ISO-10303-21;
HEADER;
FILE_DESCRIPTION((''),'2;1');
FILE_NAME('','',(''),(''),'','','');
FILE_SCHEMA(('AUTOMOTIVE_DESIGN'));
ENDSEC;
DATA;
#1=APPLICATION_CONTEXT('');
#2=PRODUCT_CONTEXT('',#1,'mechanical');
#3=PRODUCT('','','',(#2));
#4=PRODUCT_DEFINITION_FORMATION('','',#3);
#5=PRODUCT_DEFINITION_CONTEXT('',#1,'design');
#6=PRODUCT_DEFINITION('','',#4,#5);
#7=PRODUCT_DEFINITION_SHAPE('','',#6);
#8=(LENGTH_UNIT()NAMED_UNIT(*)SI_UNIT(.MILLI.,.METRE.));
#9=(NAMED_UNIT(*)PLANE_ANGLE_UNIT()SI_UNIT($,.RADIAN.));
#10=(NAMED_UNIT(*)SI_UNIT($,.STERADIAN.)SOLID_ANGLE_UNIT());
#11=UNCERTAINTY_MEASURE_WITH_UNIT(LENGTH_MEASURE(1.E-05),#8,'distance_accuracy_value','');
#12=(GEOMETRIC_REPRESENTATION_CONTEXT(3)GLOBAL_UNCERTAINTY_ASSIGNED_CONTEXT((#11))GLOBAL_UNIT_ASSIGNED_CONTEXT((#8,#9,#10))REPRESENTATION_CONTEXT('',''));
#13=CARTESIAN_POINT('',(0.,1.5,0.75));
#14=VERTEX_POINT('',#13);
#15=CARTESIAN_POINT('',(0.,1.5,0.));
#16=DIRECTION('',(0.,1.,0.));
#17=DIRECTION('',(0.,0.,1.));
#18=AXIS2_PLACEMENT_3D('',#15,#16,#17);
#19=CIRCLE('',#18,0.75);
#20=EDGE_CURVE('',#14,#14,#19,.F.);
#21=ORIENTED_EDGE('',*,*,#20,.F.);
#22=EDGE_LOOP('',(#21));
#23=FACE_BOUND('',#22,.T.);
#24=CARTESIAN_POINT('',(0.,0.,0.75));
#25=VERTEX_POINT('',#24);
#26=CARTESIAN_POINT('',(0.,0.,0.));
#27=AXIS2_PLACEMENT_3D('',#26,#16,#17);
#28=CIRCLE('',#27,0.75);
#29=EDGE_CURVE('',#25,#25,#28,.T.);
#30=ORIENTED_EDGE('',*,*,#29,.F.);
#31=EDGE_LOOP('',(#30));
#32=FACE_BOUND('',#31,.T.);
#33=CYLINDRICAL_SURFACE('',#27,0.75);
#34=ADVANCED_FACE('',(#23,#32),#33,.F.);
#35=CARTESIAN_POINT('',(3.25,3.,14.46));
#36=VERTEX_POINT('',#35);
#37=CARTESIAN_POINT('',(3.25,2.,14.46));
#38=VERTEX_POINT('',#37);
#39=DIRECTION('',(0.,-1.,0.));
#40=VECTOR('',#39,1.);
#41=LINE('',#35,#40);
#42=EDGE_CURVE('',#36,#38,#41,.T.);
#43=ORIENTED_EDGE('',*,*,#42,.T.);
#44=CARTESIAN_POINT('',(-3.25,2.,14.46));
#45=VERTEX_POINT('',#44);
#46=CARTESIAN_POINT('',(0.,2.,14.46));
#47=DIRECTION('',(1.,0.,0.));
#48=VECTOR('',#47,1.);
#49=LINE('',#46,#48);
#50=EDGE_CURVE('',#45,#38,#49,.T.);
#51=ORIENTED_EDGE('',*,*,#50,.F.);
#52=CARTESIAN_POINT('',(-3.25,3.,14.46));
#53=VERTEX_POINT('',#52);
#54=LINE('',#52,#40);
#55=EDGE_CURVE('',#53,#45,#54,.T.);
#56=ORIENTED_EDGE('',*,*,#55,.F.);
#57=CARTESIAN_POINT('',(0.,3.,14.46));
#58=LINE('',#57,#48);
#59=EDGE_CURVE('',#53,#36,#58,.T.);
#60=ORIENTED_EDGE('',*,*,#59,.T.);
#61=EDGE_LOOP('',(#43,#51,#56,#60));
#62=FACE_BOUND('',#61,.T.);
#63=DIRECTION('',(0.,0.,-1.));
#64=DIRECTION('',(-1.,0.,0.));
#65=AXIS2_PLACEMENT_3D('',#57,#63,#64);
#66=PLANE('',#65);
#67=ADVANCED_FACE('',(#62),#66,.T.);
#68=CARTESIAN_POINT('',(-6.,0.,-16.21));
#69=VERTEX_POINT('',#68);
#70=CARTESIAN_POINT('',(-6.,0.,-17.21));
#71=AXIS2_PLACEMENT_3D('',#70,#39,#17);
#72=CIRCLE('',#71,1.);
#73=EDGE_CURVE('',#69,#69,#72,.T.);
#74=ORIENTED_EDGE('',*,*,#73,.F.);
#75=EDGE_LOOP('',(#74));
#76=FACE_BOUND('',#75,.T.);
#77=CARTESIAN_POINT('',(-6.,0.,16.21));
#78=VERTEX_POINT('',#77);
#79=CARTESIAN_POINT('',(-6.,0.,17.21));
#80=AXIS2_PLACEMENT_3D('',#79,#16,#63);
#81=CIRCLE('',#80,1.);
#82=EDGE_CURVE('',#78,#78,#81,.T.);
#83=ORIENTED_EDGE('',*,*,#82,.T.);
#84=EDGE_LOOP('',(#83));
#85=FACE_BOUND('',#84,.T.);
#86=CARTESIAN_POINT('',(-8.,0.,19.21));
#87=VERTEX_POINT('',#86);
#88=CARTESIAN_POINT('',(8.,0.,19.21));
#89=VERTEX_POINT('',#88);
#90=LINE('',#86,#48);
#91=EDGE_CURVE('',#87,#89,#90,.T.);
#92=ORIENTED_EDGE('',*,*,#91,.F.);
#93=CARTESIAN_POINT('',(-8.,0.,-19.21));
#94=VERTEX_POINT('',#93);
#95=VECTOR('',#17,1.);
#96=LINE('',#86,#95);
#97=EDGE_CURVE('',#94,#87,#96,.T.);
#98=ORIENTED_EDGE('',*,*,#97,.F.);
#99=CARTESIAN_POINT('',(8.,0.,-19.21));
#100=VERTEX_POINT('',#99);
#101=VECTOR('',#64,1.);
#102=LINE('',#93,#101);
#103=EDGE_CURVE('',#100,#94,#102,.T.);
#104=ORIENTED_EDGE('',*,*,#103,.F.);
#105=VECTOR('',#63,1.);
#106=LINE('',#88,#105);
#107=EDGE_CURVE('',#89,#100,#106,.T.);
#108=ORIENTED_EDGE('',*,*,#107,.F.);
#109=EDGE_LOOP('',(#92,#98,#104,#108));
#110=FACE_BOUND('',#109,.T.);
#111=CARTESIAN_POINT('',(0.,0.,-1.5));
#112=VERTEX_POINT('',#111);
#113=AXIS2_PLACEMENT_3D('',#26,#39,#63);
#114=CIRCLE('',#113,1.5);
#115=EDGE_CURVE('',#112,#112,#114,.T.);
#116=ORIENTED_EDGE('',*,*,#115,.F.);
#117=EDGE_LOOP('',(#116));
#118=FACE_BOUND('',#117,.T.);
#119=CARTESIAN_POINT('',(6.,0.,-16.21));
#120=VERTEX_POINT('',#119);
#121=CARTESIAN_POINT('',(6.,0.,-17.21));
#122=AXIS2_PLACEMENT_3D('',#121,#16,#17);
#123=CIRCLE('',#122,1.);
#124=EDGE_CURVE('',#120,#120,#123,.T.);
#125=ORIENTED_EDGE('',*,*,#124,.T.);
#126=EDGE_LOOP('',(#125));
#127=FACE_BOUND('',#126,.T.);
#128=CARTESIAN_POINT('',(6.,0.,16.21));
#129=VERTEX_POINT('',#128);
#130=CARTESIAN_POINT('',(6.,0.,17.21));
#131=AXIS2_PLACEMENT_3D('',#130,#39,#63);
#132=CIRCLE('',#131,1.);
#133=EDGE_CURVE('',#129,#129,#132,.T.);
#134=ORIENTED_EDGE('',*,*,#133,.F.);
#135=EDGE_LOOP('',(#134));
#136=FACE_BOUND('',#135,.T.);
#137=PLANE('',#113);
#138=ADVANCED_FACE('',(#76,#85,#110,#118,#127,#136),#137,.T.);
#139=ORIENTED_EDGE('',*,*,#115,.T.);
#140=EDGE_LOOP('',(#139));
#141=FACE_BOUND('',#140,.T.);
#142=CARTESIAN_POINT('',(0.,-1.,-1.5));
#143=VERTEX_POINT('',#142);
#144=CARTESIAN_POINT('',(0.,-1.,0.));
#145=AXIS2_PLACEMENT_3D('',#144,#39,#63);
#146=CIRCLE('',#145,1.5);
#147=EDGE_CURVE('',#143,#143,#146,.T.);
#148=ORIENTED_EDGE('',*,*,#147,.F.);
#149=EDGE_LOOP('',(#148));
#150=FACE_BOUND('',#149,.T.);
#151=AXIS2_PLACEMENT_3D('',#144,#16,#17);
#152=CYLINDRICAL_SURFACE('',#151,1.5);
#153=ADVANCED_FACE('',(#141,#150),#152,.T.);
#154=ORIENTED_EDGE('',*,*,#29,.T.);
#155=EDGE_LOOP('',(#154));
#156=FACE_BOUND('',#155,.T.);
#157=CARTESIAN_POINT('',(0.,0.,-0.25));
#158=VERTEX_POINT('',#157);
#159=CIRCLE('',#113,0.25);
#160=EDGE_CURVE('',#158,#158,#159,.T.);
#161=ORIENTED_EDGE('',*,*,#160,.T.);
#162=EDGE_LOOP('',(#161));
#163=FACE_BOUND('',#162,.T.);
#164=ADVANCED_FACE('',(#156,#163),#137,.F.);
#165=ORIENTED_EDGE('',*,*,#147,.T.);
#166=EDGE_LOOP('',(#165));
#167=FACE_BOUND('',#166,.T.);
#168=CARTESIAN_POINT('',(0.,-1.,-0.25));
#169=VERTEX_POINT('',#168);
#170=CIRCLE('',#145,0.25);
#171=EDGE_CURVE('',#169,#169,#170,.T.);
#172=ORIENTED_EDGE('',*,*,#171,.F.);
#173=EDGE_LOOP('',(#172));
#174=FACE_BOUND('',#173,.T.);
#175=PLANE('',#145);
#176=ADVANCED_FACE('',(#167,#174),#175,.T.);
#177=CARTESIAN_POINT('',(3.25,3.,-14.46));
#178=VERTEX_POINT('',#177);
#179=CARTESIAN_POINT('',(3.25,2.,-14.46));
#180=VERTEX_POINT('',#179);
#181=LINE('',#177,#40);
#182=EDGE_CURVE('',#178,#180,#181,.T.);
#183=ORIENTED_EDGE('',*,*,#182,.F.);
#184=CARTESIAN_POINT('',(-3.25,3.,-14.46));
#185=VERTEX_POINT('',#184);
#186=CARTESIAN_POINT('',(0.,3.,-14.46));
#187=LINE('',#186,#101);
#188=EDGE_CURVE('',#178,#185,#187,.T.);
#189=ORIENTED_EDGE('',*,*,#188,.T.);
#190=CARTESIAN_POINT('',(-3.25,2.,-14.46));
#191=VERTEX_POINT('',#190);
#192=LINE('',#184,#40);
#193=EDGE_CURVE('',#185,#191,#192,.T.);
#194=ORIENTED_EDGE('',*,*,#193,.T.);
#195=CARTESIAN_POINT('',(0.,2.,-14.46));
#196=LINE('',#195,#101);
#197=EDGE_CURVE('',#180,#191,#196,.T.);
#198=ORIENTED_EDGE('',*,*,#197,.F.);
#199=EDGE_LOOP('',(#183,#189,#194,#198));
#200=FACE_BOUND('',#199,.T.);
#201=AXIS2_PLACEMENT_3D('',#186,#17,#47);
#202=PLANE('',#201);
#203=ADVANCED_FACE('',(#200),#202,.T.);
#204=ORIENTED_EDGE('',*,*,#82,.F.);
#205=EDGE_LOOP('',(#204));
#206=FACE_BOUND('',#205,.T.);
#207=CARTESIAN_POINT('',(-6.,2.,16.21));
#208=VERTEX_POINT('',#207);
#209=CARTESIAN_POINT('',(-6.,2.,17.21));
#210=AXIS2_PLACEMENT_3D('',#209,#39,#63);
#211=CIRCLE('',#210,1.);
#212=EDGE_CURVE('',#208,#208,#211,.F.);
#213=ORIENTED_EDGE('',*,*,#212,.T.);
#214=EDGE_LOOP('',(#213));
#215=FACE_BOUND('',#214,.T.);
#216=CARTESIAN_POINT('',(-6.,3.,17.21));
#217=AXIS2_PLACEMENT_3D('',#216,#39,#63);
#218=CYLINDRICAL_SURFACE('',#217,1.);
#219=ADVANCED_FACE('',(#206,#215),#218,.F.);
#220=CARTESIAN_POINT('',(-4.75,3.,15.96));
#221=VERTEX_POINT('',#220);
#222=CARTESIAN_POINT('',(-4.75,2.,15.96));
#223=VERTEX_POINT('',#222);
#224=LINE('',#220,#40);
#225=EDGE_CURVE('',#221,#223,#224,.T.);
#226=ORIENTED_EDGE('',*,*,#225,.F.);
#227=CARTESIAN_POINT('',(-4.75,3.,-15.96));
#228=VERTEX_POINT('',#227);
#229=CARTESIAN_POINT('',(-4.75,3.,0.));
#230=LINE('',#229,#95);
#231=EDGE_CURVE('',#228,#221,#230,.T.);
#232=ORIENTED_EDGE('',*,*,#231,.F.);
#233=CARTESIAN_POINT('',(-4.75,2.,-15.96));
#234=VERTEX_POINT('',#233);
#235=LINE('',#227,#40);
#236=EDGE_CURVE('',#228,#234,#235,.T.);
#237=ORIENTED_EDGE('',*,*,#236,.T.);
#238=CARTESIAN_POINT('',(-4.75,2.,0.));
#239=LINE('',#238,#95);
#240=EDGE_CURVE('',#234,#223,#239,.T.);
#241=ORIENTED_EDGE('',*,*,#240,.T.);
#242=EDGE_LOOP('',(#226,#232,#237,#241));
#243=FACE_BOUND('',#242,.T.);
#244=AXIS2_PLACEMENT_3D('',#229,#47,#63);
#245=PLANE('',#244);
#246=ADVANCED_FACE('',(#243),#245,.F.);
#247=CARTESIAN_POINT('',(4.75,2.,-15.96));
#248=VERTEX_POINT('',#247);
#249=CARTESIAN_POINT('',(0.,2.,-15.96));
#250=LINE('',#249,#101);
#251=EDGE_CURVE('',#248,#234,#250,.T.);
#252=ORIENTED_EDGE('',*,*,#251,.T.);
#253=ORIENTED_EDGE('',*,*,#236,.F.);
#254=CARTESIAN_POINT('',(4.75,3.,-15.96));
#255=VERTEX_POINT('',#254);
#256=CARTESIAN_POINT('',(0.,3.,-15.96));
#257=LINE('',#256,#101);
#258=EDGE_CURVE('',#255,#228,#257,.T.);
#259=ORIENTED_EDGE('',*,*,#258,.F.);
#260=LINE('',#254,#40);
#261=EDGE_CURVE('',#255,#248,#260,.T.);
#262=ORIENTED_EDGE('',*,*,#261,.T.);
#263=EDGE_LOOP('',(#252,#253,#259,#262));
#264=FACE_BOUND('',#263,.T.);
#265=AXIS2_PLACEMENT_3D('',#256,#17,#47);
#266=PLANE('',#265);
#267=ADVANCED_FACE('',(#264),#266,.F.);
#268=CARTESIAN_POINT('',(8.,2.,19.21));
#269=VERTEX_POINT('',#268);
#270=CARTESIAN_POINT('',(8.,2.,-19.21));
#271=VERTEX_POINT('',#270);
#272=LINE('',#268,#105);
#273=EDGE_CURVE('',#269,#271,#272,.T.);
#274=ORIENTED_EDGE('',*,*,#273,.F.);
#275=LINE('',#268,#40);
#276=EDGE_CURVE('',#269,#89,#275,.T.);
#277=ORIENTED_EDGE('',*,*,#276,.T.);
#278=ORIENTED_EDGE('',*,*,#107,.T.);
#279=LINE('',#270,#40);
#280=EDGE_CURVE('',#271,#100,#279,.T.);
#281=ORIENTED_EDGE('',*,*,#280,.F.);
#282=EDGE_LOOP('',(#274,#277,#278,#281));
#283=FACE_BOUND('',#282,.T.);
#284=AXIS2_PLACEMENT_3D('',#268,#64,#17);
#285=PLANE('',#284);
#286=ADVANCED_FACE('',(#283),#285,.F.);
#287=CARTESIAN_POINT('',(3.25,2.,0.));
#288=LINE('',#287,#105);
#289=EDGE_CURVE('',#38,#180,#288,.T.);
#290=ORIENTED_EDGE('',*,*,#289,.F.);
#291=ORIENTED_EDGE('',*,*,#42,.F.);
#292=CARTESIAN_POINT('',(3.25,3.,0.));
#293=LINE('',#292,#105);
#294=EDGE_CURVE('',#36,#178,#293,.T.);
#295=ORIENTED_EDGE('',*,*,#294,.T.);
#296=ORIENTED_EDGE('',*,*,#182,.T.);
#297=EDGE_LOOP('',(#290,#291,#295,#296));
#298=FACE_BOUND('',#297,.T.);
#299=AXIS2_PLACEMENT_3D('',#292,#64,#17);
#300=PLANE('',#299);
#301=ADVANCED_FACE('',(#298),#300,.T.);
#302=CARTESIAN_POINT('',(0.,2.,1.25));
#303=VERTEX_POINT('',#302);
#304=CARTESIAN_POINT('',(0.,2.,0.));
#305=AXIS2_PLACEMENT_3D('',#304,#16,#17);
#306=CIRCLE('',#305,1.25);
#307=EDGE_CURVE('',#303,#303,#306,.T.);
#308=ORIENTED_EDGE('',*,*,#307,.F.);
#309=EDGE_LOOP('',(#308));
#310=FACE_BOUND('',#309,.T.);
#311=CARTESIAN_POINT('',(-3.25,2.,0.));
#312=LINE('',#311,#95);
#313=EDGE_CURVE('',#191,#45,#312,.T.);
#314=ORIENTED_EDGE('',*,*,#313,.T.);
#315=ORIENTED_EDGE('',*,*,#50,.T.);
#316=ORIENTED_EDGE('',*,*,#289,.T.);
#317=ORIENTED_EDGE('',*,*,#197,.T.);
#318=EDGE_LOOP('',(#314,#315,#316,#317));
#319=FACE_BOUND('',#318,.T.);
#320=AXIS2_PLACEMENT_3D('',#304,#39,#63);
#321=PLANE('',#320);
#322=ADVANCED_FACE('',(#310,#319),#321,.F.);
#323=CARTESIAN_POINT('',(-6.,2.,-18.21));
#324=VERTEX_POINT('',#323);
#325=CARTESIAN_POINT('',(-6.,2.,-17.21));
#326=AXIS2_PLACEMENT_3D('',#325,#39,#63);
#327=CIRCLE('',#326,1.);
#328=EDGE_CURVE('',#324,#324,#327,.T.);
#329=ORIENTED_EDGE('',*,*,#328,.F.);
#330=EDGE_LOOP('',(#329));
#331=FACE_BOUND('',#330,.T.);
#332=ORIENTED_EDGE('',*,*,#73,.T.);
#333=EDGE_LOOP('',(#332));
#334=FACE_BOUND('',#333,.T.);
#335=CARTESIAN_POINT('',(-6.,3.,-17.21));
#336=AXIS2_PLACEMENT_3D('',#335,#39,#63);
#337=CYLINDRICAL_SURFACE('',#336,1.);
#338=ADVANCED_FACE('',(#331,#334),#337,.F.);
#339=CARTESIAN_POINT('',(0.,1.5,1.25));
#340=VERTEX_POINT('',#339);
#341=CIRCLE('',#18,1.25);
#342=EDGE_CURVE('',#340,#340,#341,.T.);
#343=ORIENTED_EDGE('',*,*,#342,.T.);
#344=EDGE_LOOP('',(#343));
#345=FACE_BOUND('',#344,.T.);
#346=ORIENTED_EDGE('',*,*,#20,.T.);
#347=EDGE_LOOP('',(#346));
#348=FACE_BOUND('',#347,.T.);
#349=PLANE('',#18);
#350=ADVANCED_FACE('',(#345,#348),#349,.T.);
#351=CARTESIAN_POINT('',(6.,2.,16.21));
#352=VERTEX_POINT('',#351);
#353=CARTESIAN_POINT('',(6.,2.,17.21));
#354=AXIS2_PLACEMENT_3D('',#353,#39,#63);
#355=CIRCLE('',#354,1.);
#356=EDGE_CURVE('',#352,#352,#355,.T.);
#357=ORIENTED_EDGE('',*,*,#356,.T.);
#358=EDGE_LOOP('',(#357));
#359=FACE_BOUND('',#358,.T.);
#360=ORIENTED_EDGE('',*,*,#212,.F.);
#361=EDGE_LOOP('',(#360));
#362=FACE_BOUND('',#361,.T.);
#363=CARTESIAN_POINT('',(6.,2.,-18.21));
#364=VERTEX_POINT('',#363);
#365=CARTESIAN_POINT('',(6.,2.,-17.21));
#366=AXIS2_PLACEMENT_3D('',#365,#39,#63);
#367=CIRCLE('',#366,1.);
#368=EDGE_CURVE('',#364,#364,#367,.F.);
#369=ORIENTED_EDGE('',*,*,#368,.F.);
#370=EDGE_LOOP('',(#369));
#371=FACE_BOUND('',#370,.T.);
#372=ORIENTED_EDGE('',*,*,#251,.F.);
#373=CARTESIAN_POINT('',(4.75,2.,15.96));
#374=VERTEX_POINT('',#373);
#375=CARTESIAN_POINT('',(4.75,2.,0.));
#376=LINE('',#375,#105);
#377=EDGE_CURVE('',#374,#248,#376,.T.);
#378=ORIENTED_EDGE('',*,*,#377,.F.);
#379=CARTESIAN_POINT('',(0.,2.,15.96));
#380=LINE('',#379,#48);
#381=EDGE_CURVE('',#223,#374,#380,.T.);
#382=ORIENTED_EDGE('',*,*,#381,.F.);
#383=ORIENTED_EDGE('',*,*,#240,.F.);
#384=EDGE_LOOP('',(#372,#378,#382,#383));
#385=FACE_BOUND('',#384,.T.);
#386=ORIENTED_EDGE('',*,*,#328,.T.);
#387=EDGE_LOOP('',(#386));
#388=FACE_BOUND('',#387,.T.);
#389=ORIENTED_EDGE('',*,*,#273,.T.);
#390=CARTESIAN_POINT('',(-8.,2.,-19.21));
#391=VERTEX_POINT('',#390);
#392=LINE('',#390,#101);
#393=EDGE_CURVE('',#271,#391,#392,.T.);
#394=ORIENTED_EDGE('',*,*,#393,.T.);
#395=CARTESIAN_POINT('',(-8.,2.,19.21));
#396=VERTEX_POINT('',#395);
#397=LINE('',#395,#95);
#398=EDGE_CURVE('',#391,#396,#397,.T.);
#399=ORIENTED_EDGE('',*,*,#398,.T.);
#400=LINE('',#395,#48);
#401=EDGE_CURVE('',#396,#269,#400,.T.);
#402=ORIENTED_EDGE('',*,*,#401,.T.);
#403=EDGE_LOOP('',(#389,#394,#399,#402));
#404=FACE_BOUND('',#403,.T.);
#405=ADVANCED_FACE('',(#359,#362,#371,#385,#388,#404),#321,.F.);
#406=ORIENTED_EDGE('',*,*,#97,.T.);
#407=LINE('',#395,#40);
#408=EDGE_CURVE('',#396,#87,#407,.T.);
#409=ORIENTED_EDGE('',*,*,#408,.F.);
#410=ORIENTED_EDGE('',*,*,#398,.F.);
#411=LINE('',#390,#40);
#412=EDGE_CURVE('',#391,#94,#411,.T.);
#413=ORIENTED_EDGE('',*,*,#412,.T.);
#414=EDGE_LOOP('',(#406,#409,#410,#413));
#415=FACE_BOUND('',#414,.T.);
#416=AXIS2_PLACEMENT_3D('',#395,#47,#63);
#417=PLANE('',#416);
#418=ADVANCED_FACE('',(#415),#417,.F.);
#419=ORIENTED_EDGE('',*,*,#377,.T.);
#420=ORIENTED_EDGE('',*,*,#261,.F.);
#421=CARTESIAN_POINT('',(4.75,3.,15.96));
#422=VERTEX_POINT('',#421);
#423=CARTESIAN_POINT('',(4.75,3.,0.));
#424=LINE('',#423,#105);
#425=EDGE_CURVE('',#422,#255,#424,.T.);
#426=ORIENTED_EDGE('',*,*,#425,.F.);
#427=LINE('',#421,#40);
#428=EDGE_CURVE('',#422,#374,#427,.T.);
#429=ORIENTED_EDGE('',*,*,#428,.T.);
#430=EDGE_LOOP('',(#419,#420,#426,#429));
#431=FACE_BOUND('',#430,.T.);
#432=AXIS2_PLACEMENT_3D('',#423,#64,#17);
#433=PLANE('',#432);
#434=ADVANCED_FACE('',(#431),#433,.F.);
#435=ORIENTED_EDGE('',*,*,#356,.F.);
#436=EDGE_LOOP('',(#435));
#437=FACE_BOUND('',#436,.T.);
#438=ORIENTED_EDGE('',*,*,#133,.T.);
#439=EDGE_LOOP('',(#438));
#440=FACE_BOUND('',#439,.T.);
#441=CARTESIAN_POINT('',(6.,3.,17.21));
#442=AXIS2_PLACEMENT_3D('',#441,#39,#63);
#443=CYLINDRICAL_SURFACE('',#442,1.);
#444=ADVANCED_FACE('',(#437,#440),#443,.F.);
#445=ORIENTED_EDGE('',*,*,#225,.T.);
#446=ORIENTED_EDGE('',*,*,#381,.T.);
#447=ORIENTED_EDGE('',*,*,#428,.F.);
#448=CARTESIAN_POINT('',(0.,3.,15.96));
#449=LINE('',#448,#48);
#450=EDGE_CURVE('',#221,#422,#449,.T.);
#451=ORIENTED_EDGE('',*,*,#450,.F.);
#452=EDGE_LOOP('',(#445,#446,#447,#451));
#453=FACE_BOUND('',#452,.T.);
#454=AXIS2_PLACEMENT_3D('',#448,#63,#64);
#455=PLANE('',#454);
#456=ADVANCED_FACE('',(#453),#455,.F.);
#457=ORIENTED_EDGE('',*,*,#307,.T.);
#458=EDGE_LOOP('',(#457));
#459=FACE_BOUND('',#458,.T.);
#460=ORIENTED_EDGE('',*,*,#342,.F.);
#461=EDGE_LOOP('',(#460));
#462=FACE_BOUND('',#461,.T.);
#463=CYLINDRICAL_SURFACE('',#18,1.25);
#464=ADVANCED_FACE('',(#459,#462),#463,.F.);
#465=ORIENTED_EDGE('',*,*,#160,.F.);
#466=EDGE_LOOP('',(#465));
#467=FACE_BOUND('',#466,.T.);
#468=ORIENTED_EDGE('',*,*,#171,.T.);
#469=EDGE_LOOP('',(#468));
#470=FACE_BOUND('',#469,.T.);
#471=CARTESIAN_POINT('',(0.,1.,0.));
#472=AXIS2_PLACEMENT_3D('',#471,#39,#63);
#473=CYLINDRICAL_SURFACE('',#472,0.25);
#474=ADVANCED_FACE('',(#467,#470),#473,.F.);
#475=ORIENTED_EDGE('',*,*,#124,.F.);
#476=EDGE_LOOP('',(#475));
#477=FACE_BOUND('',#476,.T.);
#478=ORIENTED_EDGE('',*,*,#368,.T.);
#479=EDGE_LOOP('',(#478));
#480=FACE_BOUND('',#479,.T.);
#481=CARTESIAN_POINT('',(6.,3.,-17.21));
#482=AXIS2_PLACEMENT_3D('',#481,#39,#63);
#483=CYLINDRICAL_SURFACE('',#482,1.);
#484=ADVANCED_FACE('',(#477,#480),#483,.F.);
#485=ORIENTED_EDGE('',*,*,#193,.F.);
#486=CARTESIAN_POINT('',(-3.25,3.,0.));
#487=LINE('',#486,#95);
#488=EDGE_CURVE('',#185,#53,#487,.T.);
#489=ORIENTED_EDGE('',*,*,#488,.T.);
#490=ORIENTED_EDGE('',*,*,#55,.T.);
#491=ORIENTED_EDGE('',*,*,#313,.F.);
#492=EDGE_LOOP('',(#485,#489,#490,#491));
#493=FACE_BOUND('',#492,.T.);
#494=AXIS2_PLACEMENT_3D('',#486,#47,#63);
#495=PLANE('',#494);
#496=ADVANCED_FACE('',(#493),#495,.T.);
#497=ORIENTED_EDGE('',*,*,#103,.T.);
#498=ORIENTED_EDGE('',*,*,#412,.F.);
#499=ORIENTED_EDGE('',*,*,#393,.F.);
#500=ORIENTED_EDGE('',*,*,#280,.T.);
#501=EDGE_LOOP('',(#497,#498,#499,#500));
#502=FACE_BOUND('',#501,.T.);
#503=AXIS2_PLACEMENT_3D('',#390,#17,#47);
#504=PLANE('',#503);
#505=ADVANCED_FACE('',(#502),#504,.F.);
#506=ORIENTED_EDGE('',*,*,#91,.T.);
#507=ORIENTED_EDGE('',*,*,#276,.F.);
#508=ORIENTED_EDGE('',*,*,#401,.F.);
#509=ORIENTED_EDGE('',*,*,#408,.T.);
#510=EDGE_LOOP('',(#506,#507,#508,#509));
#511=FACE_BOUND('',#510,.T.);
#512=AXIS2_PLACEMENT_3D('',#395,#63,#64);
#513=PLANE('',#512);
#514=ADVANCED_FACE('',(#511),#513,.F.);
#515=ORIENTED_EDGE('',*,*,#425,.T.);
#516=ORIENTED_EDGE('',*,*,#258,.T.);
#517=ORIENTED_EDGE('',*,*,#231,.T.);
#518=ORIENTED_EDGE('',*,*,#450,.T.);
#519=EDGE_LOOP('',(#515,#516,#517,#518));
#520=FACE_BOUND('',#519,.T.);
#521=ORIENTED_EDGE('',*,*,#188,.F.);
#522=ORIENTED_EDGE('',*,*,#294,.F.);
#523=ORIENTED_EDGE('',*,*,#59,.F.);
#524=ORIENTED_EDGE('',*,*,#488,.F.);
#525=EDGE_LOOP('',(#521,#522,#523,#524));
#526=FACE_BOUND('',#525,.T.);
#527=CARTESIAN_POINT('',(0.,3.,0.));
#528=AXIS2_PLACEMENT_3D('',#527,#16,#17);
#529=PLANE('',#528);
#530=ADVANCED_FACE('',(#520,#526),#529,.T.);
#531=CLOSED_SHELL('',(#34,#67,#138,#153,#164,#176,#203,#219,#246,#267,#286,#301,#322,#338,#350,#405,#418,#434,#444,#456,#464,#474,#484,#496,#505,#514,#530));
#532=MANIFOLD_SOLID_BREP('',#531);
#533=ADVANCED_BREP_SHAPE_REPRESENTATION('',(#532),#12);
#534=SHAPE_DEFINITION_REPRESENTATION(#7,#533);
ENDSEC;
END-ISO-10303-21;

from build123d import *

# Parameters (mm, degrees)
SKETCH1_W               = 16
SKETCH1_H               = 38.42
BOSS_EXTRUDE1_DEPTH     = 2
SKETCH2_W               = 9.5
SKETCH2_H               = 31.92
SKETCH2_W_2             = 6.5
SKETCH2_H_2             = 28.92
EXTRUDE_THIN1_DEPTH     = 1
SKETCH3_R               = 1
CUT_EXTRUDE1_DEPTH      = 4
MIRROR2_COPY_1_SKETCH_R = 1
MIRROR2_COPY_1_DEPTH    = 4
SKETCH5_R               = 0.75
CUT_EXTRUDE2_DEPTH      = 2
CUT_EXTRUDE2_DEPTH_BACK = 3
SKETCH6_R               = 1.25
CUT_EXTRUDE6_DEPTH      = 0.5
SKETCH7_R               = 1.5
BOSS_EXTRUDE2_DEPTH     = 1
SKETCH9_R               = 0.25
CUT_EXTRUDE7_DEPTH      = 2


with BuildPart() as part:
    # Sketch1 → Boss-Extrude1 (new body)
    with BuildSketch(Plane(origin=(0, 0, 0), x_dir=(1, 0, 0), z_dir=(0, 1, 0))):
        Rectangle(SKETCH1_W, SKETCH1_H)
    extrude(amount=BOSS_EXTRUDE1_DEPTH)

    # Sketch2 → Extrude-Thin1 (add)
    with BuildSketch(Plane(origin=(0, 2, 0), x_dir=(1, 0, 0), z_dir=(0, 1, 0))):
        Rectangle(SKETCH2_W, SKETCH2_H)
        Rectangle(SKETCH2_W_2, SKETCH2_H_2, mode=Mode.SUBTRACT)
    extrude(amount=EXTRUDE_THIN1_DEPTH)

    # Sketch3 → Cut-Extrude1 (cut, through all)
    with BuildSketch(Plane.XZ):
        with Locations((6, 17.21)):
            Circle(SKETCH3_R)
    cut_extrude1 = extrude(amount=-CUT_EXTRUDE1_DEPTH, mode=Mode.SUBTRACT)

    # Mirror1: Cut-Extrude1 across plane
    add(cut_extrude1.mirror(Plane(origin=(0, 0, 0), x_dir=(1, 0, 0), z_dir=(0, 0, -1))), mode=Mode.SUBTRACT)

    # Mirror2: Cut-Extrude1 across plane
    add(cut_extrude1.mirror(Plane.ZY), mode=Mode.SUBTRACT)

    # Mirror2 copy 1 sketch → Mirror2 copy 1 (cut, through all)
    with BuildSketch(Plane(origin=(0, 0, 0), x_dir=(-1, 0, 0), z_dir=(0, -1, 0))):
        with Locations((6, 17.21)):
            Circle(MIRROR2_COPY_1_SKETCH_R)
    extrude(amount=-MIRROR2_COPY_1_DEPTH, mode=Mode.SUBTRACT)

    # Sketch5 → Cut-Extrude2 (cut, two sides)
    with BuildSketch(Plane(origin=(0, 2, 0), x_dir=(1, 0, 0), z_dir=(0, 1, 0))) as cut_extrude2_sk:
        Circle(SKETCH5_R)
    extrude(amount=CUT_EXTRUDE2_DEPTH, mode=Mode.SUBTRACT)
    extrude(cut_extrude2_sk.sketch, amount=-CUT_EXTRUDE2_DEPTH_BACK, mode=Mode.SUBTRACT)

    # Sketch6 → Cut-Extrude6 (cut)
    with BuildSketch(Plane(origin=(0, 2, 0), x_dir=(1, 0, 0), z_dir=(0, 1, 0))):
        Circle(SKETCH6_R)
    extrude(amount=-CUT_EXTRUDE6_DEPTH, mode=Mode.SUBTRACT)

    # Sketch7 → Boss-Extrude2 (add)
    with BuildSketch(Plane.XZ):
        Circle(SKETCH7_R)
    extrude(amount=BOSS_EXTRUDE2_DEPTH)

    # Sketch9 → Cut-Extrude7 (cut)
    with BuildSketch(Plane.XZ.offset(1)):
        Circle(SKETCH9_R)
    extrude(amount=-CUT_EXTRUDE7_DEPTH, mode=Mode.SUBTRACT)


solid = part.part
